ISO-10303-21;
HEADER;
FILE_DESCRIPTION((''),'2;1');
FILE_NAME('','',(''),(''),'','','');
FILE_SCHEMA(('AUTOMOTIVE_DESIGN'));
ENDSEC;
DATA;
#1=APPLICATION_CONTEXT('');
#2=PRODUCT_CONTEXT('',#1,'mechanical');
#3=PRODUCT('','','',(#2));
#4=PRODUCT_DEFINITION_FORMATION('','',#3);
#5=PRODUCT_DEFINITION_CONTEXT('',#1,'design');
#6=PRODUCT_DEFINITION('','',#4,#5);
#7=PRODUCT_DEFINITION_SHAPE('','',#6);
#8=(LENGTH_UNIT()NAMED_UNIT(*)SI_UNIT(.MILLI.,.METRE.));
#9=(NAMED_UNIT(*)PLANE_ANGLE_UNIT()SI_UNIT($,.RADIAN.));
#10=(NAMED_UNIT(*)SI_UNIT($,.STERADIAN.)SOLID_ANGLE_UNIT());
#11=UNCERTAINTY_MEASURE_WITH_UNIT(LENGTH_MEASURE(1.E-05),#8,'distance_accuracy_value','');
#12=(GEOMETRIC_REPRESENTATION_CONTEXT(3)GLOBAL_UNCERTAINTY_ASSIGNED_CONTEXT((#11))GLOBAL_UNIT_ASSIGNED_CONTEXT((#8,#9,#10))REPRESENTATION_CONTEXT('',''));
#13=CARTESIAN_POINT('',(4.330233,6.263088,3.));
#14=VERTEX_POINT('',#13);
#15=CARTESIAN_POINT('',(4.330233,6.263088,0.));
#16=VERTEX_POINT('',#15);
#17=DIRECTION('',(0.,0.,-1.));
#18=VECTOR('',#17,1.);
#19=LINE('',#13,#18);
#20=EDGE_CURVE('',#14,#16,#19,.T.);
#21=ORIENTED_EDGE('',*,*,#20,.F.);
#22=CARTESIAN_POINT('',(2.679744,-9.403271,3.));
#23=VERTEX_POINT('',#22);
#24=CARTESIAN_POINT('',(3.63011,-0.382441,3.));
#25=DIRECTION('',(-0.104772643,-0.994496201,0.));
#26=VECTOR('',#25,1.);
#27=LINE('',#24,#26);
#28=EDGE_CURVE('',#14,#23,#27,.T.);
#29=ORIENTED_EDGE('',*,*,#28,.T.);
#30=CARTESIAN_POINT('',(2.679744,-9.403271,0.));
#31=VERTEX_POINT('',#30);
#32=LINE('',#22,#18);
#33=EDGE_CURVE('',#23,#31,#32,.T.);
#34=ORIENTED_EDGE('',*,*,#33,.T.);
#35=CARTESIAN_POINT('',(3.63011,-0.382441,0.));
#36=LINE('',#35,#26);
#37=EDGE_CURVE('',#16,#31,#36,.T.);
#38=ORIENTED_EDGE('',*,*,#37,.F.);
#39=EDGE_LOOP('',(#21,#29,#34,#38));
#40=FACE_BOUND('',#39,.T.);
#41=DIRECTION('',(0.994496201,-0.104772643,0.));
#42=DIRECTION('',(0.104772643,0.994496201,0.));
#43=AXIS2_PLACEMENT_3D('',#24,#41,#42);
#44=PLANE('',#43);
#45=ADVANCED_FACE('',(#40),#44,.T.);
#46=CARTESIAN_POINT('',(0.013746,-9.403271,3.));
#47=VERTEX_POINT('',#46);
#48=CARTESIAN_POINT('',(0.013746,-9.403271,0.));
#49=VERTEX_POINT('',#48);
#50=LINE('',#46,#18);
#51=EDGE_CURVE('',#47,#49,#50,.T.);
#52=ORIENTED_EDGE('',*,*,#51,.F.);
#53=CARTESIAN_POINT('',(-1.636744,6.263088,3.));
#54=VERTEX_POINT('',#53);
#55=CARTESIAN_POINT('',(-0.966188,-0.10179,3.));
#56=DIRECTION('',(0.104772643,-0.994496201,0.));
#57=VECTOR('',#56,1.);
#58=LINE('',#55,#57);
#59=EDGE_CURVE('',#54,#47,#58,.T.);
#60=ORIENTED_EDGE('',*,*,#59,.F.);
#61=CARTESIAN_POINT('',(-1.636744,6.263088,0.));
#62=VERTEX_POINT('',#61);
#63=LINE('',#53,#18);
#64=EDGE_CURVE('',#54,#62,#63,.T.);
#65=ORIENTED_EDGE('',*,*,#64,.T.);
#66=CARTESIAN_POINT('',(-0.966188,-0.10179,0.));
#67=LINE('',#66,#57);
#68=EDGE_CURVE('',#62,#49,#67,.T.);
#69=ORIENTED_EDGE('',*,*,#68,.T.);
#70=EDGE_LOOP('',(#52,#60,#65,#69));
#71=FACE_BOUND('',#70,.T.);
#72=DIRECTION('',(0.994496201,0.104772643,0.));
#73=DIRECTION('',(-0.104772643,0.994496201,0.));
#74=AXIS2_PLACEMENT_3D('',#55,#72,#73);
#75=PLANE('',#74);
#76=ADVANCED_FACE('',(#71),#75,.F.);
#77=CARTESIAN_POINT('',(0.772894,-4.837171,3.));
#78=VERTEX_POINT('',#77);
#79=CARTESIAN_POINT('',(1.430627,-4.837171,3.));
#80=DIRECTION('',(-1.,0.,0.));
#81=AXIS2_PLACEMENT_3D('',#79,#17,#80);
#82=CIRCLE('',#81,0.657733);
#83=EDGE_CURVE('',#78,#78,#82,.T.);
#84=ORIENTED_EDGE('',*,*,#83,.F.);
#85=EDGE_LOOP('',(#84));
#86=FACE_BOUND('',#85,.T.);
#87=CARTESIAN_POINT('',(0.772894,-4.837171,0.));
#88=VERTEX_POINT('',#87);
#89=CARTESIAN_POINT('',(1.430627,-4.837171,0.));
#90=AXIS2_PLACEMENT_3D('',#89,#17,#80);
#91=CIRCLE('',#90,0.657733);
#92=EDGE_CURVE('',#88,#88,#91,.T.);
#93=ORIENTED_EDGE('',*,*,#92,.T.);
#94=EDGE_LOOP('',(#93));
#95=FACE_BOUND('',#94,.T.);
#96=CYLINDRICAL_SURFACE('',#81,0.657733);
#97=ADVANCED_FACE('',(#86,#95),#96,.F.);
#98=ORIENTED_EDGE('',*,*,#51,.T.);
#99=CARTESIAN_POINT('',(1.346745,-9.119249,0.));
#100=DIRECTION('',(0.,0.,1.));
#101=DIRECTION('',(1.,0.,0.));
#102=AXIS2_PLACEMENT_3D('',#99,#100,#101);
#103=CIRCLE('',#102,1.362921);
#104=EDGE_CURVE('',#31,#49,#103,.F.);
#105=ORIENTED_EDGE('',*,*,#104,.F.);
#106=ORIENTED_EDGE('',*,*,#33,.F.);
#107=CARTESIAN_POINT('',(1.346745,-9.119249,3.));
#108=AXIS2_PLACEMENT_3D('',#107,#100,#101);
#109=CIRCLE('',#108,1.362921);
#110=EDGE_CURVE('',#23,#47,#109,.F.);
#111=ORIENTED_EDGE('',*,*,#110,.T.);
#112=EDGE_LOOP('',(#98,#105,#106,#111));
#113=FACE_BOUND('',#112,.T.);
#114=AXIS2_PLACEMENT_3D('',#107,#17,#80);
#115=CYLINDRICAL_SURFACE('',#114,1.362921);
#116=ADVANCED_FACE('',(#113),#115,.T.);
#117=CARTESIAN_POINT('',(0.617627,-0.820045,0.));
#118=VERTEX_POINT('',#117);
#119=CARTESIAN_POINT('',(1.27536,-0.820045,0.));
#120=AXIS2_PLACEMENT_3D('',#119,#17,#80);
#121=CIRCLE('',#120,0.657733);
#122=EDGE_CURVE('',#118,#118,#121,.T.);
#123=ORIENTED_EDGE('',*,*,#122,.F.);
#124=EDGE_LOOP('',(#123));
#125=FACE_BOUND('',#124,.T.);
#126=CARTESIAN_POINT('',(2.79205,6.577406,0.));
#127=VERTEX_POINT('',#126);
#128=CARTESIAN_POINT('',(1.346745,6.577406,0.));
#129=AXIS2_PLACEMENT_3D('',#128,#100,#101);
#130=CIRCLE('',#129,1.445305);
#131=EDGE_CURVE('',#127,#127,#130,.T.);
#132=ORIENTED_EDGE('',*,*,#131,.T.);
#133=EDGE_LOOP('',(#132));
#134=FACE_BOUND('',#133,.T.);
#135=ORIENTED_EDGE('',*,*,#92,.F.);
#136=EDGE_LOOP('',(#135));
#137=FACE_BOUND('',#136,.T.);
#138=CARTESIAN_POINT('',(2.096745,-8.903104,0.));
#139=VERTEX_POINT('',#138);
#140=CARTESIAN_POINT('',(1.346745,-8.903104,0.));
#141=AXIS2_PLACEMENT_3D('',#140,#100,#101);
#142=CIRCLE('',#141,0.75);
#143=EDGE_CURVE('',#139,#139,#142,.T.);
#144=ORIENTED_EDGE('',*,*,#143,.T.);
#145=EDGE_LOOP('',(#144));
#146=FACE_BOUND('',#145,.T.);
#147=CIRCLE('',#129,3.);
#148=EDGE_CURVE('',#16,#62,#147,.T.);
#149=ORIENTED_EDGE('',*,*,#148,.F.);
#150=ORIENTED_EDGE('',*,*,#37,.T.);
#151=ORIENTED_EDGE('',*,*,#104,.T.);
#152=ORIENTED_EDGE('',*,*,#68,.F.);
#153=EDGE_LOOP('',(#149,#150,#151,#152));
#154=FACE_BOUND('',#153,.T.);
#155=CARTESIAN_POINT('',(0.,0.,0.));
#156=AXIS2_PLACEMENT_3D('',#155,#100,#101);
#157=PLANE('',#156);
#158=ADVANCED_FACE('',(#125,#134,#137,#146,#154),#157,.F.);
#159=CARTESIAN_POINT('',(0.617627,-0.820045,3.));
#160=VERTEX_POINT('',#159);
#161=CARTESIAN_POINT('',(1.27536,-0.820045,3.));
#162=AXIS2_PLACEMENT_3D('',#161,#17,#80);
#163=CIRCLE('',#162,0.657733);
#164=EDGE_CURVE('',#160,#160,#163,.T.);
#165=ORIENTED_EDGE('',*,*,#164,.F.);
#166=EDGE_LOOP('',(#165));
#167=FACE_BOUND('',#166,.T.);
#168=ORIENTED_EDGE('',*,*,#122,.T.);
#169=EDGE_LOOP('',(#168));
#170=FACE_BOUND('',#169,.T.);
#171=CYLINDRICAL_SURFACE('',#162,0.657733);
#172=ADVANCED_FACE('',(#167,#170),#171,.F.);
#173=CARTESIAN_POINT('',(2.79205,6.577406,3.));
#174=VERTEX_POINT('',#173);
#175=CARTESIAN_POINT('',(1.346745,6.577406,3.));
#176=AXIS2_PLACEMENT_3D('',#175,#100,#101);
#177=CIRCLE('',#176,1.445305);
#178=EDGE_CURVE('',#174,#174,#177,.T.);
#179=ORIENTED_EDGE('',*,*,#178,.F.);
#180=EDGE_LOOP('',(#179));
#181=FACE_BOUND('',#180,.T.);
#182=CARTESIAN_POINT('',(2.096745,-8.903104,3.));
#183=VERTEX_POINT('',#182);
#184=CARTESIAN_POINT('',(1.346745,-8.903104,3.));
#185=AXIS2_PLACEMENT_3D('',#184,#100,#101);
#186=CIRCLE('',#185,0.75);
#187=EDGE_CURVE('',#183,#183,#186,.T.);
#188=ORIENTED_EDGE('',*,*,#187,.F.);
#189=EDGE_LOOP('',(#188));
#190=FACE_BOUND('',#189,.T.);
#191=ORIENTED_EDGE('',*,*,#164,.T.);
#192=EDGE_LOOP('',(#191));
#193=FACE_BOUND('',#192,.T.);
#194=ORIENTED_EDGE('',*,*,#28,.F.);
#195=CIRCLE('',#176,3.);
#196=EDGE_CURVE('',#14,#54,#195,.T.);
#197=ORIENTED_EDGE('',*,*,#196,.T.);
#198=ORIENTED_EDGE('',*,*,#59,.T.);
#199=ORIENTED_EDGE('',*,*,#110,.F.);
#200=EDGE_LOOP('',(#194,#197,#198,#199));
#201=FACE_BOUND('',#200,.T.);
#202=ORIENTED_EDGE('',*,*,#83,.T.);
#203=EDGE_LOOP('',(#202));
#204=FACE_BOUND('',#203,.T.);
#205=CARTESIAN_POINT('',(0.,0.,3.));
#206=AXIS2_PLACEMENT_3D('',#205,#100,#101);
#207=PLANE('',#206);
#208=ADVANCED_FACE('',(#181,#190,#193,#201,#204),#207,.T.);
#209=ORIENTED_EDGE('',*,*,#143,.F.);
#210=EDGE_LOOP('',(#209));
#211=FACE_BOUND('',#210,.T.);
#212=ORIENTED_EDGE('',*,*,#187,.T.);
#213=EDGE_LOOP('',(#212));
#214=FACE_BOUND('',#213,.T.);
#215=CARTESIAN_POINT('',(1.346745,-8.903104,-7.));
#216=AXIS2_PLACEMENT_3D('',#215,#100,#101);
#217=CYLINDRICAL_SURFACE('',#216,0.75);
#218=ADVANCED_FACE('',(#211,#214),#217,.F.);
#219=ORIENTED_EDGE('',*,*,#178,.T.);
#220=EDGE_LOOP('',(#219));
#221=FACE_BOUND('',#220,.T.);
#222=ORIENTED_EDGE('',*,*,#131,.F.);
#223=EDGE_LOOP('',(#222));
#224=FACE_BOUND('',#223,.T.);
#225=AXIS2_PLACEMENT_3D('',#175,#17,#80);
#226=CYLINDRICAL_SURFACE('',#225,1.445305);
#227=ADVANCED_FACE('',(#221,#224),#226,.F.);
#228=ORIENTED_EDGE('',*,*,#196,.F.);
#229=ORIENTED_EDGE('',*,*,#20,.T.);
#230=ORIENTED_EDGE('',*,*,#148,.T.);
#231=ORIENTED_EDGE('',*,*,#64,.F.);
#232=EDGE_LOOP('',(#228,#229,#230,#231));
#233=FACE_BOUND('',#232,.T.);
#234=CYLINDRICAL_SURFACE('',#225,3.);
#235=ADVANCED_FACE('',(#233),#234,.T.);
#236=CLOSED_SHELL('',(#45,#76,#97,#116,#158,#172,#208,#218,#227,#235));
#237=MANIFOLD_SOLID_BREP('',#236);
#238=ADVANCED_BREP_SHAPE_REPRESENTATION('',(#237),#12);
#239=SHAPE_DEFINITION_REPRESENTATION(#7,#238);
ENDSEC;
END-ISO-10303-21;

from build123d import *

# Parameters (mm, degrees)
SKETCH1_R           = 1.445304889
BOSS_EXTRUDE1_DEPTH = 3
SKETCH2_R           = 0.75
CUT_EXTRUDE1_DEPTH  = 10
SKETCH3_R           = 0.657732985
CUT_EXTRUDE2_DEPTH  = 4
SKETCH4_R           = 0.657732985
CUT_EXTRUDE3_DEPTH  = 4


with BuildPart() as part:
    # Sketch1 → Boss-Extrude1 (new body)
    with BuildSketch(Plane.XY):
        with BuildLine():
            Line((2.709665951, -9.119248637), (4.330233257, 6.26308765))
            ThreePointArc((4.330233257, 6.26308765), (3.57642555, 8.584523689), (1.346744655, 9.577405579))
            ThreePointArc((1.346744655, 9.577405579), (-0.88293624, 8.584523689), (-1.636743947, 6.26308765))
            Line((-1.636743947, 6.26308765), (-0.016176641, -9.119248637))
            Line((-0.016176641, -9.119248637), (0.013745769, -9.403270519))
            ThreePointArc((0.013745769, -9.403270519), (1.346744655, -10.482169933), (2.679743541, -9.403270519))
            Line((2.679743541, -9.403270519), (2.709665951, -9.119248637))
        make_face()
        with Locations((1.346744655, 6.577405579)):
            Circle(SKETCH1_R, mode=Mode.SUBTRACT)
    extrude(amount=BOSS_EXTRUDE1_DEPTH)

    # Sketch2 → Cut-Extrude1 (cut)
    with BuildSketch(Plane.XY.offset(3)):
        with Locations((1.346744655, -8.903103928)):
            Circle(SKETCH2_R)
    extrude(amount=-CUT_EXTRUDE1_DEPTH, mode=Mode.SUBTRACT)

    # Sketch3 → Cut-Extrude2 (cut, through all)
    with BuildSketch(Plane(origin=(0, 0, 0), x_dir=(-1, 0, 0), z_dir=(0, 0, -1))):
        with Locations((-1.275359723, -0.820045285)):
            Circle(SKETCH3_R)
    extrude(amount=-CUT_EXTRUDE2_DEPTH, mode=Mode.SUBTRACT)

    # Sketch4 → Cut-Extrude3 (cut, through all)
    with BuildSketch(Plane(origin=(0, 0, 0), x_dir=(-1, 0, 0), z_dir=(0, 0, -1))):
        with Locations((-1.43062658, -4.837170951)):
            Circle(SKETCH4_R)
    extrude(amount=-CUT_EXTRUDE3_DEPTH, mode=Mode.SUBTRACT)


solid = part.part
